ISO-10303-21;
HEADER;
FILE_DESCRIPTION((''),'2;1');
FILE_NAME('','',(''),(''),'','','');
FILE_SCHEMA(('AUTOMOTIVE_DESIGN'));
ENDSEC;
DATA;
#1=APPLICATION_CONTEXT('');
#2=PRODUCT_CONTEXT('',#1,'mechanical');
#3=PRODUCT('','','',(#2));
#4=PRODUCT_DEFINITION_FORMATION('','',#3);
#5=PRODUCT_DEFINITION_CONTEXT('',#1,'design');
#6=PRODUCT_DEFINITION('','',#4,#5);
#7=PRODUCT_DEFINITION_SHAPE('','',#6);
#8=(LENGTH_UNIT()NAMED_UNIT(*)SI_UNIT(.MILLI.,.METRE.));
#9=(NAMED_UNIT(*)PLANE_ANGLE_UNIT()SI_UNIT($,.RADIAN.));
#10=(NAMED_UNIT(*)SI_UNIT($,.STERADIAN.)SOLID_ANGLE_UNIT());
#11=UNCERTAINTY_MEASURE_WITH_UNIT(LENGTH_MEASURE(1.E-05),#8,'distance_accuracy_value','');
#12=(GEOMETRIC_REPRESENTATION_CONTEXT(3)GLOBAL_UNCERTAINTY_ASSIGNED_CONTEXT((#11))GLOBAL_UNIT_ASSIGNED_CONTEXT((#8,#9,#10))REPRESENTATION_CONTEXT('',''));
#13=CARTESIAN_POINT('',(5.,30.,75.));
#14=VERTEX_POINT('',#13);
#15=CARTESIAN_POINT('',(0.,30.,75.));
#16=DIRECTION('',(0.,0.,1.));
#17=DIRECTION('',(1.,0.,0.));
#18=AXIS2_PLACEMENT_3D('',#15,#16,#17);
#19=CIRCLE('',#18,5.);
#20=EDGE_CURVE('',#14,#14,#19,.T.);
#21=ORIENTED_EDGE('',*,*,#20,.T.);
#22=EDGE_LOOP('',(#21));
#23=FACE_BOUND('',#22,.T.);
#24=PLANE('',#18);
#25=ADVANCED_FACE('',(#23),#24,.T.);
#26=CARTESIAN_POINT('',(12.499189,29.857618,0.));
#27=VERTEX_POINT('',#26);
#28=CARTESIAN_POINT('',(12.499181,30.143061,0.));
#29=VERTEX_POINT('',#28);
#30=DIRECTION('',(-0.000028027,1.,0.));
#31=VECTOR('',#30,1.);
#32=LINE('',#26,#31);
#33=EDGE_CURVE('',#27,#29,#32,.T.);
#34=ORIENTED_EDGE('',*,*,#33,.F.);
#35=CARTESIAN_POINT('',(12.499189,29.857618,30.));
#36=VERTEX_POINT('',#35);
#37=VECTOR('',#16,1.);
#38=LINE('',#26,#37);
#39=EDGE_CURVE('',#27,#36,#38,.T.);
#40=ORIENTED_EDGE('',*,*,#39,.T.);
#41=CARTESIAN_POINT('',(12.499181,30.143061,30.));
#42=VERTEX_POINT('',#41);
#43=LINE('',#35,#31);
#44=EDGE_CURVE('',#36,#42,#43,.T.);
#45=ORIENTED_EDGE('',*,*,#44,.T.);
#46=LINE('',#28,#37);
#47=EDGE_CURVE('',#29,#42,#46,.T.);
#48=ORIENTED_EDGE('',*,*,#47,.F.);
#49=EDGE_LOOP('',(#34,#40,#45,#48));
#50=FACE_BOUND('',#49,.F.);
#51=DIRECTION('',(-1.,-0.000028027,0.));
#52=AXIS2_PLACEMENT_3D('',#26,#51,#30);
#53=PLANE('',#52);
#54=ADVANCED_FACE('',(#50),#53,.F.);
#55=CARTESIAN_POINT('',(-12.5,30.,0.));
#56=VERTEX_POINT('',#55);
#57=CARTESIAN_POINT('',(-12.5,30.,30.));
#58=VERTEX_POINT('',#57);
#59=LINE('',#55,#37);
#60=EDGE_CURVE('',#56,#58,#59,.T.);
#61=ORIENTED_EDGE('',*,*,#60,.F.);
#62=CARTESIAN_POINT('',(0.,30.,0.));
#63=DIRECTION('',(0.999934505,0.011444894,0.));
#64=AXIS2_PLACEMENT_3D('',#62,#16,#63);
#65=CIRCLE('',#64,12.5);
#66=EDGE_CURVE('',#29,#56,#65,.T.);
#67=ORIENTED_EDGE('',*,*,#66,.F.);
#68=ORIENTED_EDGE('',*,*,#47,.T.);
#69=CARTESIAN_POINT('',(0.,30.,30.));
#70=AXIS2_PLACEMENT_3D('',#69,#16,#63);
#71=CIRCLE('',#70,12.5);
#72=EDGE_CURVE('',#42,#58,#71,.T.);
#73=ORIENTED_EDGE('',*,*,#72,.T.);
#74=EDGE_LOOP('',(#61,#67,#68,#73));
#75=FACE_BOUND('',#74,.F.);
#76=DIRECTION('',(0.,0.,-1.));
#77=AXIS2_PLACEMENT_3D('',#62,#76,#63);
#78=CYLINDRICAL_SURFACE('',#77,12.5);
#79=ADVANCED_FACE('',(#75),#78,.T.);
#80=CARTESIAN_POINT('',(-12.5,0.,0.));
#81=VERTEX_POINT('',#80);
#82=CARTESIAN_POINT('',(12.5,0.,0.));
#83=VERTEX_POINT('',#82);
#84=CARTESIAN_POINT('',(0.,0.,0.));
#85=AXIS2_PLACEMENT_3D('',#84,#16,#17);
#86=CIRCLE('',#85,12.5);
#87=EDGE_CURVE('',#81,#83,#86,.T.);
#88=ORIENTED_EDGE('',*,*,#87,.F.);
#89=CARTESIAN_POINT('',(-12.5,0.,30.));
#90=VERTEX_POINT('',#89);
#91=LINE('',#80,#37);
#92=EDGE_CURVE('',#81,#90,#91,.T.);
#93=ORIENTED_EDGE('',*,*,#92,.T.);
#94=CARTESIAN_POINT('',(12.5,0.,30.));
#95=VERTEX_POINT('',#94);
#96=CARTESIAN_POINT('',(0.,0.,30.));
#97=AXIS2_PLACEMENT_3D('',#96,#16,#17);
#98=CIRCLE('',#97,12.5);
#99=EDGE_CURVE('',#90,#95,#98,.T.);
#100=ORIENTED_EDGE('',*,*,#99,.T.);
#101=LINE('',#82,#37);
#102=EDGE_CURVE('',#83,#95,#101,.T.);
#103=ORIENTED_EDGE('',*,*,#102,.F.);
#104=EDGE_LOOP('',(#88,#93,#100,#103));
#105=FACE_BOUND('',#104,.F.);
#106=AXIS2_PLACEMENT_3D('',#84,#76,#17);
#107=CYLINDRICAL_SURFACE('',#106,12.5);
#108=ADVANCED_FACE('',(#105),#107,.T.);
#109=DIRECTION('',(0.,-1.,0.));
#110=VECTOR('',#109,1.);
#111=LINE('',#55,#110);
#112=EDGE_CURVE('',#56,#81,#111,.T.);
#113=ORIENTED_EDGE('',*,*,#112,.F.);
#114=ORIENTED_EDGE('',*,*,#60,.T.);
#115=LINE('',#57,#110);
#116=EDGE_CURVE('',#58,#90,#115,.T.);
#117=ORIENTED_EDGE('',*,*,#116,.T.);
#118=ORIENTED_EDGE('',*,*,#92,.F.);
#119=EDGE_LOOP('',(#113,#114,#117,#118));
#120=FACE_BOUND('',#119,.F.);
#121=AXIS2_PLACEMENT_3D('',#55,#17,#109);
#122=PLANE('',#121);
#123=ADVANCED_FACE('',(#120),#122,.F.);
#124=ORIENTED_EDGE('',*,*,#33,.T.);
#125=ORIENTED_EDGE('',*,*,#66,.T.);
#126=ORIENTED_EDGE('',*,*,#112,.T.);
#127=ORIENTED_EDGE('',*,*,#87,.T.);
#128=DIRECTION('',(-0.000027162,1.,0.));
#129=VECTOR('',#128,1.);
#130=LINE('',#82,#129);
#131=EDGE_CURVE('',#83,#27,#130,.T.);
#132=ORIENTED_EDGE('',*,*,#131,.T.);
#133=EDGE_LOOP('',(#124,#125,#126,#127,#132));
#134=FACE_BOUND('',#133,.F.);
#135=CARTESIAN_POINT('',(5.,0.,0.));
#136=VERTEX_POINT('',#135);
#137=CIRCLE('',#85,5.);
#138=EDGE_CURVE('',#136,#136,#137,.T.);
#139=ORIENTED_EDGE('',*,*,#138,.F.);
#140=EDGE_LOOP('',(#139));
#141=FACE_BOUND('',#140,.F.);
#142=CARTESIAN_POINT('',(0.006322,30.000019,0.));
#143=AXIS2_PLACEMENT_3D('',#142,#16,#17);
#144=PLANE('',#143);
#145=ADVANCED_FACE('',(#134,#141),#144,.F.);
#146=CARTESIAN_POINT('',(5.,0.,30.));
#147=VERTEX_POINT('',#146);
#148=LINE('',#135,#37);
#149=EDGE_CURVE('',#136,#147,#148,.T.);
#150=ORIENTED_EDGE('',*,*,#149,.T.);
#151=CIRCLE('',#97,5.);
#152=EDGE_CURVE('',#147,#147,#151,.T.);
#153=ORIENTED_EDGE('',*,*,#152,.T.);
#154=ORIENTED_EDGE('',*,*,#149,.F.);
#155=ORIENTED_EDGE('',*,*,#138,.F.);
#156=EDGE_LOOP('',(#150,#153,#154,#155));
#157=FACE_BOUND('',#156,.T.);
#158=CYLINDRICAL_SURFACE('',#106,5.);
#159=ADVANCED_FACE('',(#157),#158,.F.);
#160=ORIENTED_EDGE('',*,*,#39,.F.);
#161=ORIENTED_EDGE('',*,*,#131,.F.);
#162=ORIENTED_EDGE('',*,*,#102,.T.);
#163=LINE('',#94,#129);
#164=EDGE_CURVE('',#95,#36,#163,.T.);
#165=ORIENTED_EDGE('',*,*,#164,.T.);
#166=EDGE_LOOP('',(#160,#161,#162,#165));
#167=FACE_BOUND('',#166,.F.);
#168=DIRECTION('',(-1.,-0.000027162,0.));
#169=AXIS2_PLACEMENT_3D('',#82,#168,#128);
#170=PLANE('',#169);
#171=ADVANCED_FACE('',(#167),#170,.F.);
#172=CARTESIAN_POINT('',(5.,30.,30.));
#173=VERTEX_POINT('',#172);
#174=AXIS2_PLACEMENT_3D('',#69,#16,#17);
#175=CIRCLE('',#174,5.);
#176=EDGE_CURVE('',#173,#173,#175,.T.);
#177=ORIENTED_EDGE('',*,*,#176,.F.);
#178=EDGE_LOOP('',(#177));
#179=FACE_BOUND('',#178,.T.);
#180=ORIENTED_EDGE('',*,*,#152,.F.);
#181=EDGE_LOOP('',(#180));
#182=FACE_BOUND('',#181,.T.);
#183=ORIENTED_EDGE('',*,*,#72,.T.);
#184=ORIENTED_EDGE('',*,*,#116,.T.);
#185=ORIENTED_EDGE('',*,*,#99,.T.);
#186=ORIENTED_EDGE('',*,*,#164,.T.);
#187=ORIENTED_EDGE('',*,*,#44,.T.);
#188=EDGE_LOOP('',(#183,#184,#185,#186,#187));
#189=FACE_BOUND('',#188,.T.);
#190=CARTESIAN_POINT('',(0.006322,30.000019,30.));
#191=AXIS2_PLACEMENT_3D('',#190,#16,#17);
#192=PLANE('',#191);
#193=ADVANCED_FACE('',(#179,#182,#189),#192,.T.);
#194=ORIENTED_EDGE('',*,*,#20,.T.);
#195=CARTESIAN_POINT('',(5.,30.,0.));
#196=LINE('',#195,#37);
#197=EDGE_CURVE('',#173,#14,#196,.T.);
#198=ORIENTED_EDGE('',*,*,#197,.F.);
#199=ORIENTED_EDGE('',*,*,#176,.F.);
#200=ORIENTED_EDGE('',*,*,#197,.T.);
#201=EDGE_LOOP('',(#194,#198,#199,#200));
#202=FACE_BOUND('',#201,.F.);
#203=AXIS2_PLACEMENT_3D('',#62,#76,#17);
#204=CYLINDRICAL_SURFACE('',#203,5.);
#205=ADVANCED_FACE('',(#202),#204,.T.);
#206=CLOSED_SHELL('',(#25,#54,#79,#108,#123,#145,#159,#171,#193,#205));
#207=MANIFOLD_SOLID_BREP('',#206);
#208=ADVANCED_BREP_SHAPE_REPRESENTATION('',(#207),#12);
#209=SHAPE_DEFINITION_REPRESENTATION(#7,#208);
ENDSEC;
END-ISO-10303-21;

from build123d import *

# Parameters (mm, degrees)
F0_R     = 5
F1_DEPTH = 30
F2_DEPTH = 75


with BuildPart() as f1:
    # F0 (on Top) → F1 (new body)
    with BuildSketch(Plane.XY):
        with BuildLine():
            Line((12.499189, 29.857618), (12.499181, 30.143061))
            ThreePointArc((12.499181, 30.143061), (-0.071532, 42.499795), (-12.5, 30))
            ThreePointArc((-12.5, 30), (-0.071192, 17.500203), (12.499189, 29.857618))
        make_face()
        with Locations((0, 30)):
            Circle(F0_R, mode=Mode.SUBTRACT)
        with BuildLine():
            ThreePointArc((-12.5, 0), (0, -12.5), (12.5, 0))
            ThreePointArc((12.5, 0), (0, 12.5), (-12.5, 0))
        make_face()
        Circle(F0_R, mode=Mode.SUBTRACT)
        with BuildLine():
            Line((12.5, 0), (12.499189, 29.857618))
            ThreePointArc((12.499189, 29.857618), (-0.071192, 17.500203), (-12.5, 30))
            Line((-12.5, 30), (-12.5, 0))
            ThreePointArc((-12.5, 0), (0, 12.5), (12.5, 0))
        make_face()
    extrude(amount=F1_DEPTH)

    # F0 (on Top) → F2 (join)
    with BuildSketch(Plane.XY):
        with Locations((0, 30)):
            Circle(F0_R)
    extrude(amount=F2_DEPTH)


solid = f1.part
